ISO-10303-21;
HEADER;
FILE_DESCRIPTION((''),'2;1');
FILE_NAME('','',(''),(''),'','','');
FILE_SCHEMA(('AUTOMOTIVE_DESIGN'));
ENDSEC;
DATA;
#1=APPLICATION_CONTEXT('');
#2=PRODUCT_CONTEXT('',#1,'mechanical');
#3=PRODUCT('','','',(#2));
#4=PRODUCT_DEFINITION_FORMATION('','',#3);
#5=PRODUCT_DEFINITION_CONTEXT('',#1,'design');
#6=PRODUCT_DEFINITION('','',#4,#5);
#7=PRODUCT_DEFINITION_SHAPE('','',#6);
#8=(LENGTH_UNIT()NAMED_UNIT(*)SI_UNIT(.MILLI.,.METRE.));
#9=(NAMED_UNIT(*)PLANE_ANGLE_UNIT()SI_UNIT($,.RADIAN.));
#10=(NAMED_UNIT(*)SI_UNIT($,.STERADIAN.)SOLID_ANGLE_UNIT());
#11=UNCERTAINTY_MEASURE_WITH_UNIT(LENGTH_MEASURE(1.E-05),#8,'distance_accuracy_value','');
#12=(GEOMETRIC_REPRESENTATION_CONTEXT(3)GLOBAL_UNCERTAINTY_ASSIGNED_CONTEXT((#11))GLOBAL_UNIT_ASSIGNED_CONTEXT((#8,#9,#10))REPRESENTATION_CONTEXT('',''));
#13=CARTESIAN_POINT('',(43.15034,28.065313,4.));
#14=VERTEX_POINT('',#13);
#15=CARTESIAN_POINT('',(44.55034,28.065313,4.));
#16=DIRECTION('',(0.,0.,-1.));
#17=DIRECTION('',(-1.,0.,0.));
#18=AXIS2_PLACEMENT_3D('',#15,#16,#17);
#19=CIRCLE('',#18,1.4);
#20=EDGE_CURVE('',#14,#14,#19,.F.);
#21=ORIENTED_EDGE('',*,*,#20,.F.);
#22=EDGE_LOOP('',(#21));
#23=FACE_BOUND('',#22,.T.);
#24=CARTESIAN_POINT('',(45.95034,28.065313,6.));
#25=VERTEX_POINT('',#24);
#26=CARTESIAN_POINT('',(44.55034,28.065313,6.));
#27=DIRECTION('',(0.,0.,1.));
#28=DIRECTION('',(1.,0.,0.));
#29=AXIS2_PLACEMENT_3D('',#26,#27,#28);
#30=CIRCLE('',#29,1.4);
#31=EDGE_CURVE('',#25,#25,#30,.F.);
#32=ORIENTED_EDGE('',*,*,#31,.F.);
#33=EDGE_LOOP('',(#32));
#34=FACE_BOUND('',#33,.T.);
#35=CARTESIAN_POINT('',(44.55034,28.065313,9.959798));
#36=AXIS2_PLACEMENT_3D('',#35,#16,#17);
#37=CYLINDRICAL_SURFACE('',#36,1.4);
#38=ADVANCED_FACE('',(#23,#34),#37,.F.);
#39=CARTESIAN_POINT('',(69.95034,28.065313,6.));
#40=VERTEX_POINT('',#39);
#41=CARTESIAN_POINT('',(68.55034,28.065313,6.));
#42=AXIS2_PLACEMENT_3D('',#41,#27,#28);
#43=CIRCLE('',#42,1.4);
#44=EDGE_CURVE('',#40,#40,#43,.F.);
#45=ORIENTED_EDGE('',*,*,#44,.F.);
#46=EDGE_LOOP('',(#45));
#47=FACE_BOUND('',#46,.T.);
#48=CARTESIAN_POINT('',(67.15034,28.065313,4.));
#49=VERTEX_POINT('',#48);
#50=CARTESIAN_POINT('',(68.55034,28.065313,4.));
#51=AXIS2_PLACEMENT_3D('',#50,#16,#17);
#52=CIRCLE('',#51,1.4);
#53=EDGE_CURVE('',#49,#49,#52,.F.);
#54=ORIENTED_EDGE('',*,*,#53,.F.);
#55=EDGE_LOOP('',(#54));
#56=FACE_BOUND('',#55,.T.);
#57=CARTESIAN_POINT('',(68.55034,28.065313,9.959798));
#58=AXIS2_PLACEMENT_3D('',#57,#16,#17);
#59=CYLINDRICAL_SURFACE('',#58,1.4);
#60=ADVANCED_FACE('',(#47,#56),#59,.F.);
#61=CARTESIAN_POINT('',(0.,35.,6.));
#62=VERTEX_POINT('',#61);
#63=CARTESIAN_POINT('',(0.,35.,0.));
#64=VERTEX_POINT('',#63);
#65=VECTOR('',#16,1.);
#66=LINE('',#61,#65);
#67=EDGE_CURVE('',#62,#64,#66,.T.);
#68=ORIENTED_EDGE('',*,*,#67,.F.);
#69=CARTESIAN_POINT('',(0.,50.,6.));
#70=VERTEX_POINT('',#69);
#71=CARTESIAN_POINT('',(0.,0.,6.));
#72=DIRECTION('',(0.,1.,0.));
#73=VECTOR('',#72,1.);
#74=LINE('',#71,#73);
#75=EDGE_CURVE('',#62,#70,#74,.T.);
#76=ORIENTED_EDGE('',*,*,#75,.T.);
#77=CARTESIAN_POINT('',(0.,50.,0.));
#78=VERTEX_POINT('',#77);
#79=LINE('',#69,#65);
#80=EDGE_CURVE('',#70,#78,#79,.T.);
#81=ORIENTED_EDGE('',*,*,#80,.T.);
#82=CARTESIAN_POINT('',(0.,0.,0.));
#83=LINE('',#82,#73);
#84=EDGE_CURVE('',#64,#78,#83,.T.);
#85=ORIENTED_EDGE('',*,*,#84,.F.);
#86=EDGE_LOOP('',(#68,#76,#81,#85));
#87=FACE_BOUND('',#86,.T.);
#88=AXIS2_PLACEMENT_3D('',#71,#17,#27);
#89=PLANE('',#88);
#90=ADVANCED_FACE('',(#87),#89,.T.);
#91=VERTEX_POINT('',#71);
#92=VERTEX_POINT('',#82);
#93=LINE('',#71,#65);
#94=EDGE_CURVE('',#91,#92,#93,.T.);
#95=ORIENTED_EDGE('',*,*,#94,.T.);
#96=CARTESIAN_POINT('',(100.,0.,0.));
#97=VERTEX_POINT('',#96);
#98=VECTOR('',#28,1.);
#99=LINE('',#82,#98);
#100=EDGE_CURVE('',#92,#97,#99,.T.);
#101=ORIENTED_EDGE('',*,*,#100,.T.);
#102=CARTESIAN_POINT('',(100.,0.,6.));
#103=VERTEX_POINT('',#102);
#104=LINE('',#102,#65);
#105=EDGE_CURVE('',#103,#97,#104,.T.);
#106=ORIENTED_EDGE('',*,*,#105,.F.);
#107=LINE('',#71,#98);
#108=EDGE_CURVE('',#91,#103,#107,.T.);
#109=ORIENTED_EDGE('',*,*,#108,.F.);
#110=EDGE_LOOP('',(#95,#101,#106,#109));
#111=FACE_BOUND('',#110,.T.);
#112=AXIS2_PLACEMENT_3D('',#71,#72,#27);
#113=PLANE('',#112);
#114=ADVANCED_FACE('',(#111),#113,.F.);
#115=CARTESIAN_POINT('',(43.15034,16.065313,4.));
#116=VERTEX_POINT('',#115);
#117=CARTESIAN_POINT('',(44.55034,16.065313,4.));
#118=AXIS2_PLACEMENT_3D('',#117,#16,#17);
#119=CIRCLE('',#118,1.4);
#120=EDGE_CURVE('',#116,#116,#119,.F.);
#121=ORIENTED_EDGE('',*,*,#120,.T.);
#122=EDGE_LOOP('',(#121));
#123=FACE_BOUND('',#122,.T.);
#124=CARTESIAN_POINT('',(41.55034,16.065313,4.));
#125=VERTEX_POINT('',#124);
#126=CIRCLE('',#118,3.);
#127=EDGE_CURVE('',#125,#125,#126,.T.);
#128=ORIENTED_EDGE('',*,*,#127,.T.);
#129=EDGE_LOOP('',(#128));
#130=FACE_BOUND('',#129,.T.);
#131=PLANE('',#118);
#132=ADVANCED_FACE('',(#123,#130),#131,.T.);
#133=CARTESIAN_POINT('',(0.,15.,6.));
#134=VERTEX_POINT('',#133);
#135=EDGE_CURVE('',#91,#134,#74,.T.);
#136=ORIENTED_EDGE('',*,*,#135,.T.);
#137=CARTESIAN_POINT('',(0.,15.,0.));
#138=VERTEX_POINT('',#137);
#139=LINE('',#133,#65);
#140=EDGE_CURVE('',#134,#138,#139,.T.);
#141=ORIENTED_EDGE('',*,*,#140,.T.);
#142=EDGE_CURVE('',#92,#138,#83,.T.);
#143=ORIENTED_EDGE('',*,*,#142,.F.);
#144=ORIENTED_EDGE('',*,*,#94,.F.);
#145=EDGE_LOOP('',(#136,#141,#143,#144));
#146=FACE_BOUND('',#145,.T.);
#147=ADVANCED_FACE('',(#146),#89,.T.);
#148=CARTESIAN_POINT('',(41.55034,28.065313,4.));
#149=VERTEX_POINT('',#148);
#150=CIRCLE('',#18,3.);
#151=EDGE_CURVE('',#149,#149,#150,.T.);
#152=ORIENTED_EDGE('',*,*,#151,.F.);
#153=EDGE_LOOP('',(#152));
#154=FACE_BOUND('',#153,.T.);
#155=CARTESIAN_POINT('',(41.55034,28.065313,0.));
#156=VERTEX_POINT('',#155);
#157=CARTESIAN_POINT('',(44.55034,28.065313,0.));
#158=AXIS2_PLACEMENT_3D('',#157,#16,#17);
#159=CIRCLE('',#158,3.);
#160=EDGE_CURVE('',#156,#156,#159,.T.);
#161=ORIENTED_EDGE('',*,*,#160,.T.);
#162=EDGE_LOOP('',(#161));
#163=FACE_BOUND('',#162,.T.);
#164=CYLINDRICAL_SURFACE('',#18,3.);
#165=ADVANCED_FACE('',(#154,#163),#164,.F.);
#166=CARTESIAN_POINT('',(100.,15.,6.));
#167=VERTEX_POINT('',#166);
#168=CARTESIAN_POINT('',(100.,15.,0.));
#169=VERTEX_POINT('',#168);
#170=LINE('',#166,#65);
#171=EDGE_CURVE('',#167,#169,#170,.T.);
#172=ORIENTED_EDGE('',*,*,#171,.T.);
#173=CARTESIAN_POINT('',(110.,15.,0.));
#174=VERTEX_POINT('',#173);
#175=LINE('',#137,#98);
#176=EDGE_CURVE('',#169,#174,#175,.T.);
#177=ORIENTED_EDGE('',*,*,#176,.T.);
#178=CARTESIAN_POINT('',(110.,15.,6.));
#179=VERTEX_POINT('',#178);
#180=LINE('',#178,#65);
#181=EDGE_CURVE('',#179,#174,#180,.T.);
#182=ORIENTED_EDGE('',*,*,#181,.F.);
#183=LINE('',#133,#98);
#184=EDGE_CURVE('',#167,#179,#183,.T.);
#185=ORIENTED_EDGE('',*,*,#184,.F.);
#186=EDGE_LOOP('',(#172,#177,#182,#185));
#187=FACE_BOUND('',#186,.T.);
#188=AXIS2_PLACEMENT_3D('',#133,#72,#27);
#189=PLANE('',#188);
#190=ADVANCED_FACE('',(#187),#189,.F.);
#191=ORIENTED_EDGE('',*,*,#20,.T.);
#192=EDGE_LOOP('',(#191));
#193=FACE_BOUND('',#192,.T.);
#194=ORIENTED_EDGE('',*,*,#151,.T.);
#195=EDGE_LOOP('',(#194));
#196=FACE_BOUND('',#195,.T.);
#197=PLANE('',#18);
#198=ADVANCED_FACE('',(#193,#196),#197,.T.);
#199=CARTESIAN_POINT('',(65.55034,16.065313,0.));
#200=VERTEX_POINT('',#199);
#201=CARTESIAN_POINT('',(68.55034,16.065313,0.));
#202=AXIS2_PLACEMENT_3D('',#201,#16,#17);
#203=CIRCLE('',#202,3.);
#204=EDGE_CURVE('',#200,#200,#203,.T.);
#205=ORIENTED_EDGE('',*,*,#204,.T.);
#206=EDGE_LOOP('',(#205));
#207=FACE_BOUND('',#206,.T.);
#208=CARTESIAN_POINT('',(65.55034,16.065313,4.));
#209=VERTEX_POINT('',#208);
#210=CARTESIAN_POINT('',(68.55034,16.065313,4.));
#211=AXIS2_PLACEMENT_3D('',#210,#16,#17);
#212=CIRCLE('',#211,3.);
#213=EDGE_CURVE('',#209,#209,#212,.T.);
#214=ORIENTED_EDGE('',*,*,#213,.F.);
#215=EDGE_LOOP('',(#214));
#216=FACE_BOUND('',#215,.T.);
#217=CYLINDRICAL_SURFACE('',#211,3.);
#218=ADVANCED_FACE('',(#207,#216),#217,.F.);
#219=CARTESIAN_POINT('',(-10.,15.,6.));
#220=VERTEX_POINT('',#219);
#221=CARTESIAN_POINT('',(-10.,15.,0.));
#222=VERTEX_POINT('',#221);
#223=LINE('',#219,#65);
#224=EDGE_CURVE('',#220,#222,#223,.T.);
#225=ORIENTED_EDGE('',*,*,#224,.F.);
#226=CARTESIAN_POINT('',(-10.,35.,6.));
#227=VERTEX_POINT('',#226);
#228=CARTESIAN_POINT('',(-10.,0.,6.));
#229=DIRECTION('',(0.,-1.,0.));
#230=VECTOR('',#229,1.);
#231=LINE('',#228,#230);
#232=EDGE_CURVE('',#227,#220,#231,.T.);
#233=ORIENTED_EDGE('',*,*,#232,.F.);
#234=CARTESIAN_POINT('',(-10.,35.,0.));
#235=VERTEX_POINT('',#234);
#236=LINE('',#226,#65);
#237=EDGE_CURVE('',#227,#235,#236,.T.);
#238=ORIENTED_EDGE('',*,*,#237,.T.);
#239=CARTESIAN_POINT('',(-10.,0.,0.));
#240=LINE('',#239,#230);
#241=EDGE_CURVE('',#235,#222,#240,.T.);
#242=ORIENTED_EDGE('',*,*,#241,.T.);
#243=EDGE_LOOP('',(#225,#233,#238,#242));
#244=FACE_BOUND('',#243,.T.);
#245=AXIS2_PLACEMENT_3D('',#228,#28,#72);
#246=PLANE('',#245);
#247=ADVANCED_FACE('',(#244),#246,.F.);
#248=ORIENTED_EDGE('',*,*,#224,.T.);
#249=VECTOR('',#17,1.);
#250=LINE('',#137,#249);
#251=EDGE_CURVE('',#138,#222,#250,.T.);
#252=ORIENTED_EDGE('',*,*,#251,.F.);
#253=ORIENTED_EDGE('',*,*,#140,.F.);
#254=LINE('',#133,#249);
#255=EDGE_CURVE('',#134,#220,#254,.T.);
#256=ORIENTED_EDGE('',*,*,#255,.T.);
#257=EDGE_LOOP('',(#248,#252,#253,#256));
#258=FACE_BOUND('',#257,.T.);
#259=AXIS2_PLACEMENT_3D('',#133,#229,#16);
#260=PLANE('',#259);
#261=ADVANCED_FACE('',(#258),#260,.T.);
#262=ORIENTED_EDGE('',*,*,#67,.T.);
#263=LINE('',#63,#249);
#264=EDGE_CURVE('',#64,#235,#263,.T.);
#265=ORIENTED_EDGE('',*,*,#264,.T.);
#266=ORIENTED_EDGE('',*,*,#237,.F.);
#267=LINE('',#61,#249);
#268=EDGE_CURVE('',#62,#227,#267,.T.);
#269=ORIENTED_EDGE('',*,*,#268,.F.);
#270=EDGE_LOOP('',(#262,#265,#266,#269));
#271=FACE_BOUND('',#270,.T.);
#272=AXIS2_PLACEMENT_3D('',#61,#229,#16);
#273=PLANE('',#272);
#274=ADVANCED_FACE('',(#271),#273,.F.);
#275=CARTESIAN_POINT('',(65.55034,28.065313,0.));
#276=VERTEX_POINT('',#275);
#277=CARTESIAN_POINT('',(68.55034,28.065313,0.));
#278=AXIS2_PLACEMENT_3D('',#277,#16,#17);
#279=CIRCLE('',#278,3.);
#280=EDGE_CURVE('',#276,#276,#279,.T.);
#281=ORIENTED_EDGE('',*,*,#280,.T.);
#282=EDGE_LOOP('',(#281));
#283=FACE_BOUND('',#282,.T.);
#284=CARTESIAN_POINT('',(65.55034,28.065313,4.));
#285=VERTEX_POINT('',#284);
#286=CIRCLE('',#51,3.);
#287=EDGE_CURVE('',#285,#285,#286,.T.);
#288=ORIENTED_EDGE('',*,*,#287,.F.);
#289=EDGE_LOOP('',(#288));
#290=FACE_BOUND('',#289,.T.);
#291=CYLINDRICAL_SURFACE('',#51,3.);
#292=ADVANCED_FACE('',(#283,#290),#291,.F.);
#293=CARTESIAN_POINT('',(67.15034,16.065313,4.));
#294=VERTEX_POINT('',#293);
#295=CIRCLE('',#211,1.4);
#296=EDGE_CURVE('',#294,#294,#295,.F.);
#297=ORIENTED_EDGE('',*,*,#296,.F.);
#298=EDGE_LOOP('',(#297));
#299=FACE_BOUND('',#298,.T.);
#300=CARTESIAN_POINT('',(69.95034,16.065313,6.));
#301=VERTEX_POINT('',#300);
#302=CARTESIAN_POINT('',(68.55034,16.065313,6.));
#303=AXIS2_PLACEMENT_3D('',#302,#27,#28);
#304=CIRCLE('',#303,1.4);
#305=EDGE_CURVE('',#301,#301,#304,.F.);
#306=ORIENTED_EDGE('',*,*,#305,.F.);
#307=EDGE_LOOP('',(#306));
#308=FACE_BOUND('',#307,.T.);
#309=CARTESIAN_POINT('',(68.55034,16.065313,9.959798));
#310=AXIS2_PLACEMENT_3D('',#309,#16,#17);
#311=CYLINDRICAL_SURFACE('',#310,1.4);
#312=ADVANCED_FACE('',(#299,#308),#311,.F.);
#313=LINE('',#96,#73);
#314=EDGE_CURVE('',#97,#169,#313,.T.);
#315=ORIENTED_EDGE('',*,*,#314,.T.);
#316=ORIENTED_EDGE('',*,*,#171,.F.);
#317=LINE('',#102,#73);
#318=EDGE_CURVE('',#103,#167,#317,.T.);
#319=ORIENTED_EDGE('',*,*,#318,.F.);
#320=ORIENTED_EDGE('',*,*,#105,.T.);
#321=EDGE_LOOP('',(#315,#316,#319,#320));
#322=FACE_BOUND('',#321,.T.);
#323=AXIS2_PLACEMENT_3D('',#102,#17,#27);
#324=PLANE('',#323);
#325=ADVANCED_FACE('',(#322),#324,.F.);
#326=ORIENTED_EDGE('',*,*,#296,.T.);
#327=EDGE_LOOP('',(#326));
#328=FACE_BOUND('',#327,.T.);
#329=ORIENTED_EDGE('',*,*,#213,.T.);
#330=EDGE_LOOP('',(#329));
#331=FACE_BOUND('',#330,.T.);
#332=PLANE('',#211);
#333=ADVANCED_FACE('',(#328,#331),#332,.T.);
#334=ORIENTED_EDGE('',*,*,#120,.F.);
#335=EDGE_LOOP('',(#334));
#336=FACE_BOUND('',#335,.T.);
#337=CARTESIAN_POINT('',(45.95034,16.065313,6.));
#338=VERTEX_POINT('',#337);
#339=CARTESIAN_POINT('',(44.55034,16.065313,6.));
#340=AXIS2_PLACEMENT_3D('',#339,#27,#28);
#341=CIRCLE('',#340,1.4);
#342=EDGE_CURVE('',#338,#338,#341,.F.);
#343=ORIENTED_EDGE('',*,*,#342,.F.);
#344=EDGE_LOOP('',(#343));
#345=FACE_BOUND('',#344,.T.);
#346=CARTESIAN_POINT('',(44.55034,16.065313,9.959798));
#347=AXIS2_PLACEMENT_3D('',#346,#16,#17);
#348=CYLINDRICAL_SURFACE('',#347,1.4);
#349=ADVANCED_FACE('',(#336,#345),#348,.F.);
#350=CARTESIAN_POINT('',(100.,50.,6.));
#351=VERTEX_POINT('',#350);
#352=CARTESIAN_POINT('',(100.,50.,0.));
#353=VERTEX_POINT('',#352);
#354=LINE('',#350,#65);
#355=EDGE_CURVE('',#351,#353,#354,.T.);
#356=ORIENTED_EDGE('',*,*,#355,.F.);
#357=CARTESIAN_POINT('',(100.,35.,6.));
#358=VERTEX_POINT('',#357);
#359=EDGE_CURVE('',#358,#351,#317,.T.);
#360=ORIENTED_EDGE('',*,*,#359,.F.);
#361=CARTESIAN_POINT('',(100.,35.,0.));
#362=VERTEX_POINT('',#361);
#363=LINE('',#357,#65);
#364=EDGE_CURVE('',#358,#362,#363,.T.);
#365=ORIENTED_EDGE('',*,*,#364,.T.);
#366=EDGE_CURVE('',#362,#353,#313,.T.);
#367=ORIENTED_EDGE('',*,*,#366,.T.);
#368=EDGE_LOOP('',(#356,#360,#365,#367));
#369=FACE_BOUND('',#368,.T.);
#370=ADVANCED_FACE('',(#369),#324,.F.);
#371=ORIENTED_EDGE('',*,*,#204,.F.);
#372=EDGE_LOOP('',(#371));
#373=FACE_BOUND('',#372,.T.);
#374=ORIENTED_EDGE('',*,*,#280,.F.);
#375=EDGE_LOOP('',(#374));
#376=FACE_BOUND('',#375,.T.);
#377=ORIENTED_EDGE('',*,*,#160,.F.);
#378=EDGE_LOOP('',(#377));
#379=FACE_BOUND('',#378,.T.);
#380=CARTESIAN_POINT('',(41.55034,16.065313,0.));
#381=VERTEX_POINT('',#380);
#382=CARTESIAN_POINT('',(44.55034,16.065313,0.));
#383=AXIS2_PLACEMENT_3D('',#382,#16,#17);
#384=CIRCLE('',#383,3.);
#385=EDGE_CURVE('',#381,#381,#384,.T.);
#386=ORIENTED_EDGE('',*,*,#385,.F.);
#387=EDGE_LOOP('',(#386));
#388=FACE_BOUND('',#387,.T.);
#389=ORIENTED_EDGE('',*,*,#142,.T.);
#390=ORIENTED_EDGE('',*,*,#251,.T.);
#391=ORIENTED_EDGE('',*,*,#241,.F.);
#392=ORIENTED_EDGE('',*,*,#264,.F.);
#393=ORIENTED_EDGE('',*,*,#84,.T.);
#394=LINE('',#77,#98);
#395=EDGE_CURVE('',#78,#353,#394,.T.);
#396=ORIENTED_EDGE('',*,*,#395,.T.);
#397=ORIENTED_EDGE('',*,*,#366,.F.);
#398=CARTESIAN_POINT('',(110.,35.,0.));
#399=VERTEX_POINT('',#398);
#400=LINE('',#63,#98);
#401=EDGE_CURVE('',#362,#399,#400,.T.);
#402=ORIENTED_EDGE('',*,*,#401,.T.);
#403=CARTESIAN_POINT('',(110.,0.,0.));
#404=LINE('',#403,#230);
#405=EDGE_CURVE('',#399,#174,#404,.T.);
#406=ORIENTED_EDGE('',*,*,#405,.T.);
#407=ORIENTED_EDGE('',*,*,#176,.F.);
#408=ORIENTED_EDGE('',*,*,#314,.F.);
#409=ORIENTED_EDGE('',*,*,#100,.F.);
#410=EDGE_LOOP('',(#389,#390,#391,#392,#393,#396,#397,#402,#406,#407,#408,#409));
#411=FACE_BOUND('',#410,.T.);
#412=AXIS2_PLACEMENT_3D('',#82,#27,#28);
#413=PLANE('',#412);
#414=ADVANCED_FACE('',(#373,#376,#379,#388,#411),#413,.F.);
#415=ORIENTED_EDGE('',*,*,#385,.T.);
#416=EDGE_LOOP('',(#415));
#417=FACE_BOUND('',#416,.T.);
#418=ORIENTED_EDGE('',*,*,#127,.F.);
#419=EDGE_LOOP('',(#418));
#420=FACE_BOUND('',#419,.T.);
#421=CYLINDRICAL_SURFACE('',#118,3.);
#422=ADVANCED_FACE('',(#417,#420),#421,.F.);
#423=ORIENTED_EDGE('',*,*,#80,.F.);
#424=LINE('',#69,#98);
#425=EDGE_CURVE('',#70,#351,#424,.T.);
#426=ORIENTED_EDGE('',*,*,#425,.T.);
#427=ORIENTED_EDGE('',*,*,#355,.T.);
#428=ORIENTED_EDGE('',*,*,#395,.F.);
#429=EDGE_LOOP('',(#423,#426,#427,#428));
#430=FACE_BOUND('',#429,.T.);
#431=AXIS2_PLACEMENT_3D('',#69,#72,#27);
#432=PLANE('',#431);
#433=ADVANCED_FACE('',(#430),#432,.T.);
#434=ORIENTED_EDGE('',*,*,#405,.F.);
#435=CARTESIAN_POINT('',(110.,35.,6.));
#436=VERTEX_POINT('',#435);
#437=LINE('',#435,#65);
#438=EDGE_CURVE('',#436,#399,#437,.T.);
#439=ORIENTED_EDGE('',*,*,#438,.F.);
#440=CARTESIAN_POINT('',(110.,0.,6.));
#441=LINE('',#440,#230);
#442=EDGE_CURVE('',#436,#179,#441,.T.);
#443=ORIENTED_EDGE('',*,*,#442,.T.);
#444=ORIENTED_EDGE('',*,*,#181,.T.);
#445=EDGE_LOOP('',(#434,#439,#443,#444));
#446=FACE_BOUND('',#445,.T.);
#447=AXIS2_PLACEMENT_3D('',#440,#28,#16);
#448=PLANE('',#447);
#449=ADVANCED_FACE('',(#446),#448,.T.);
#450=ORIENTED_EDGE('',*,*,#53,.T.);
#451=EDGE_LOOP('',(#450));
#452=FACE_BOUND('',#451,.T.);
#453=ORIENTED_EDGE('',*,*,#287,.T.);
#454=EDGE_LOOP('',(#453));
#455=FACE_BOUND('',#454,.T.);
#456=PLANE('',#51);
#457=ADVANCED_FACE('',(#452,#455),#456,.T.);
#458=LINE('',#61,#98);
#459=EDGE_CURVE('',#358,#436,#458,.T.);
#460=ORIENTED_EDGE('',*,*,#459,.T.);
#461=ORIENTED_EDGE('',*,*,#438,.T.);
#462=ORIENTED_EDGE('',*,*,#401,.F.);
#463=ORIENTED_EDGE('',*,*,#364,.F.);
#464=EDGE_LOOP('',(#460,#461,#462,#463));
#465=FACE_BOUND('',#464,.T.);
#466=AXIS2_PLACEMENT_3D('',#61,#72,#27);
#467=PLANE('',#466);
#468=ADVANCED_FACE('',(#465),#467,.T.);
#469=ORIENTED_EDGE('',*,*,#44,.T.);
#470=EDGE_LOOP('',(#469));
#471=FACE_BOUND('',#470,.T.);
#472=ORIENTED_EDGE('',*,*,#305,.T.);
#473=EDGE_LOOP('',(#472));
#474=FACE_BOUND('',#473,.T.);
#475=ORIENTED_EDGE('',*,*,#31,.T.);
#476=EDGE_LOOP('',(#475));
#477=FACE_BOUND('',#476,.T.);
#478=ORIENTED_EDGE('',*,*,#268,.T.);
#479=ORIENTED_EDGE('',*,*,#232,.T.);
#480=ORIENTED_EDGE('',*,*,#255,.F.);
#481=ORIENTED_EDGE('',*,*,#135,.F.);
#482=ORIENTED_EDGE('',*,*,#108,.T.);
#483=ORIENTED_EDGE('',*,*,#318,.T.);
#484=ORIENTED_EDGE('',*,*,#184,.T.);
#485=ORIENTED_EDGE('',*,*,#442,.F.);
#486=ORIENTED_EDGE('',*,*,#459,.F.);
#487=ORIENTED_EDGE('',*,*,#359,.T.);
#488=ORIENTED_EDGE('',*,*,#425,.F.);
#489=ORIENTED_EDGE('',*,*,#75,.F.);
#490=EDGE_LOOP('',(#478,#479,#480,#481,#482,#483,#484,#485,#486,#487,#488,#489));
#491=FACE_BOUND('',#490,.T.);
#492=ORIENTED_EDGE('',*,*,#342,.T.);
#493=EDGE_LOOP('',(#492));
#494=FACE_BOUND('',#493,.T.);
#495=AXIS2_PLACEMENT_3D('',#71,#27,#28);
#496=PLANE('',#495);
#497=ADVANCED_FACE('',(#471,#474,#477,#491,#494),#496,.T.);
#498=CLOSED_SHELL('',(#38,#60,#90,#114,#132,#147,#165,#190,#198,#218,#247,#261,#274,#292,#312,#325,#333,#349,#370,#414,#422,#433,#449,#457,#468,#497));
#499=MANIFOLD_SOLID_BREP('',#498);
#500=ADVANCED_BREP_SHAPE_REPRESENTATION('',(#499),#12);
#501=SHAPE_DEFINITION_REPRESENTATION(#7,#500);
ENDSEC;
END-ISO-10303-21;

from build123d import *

# Parameters (mm, degrees)
ESQUISSE1_W             = 10
ESQUISSE1_H             = 20
ESQUISSE1_W_2           = 100
ESQUISSE1_H_2           = 50
BOSS_EXTRU_1_DEPTH      = 6
ESQUISSE2_R             = 1.4
ENL_V_MAT_EXTRU_1_DEPTH = 6
ESQUISSE3_R             = 3
ENL_V_MAT_EXTRU_2_DEPTH = 4


with BuildPart() as part:
    # Esquisse1 → Boss.-Extru.1 (new body)
    with BuildSketch(Plane.XY):
        with Locations((-5, 25)):
            Rectangle(ESQUISSE1_W, ESQUISSE1_H)
        with Locations((50, 25)):
            Rectangle(ESQUISSE1_W_2, ESQUISSE1_H_2)
        with Locations((105, 25)):
            Rectangle(ESQUISSE1_W, ESQUISSE1_H)
    extrude(amount=BOSS_EXTRU_1_DEPTH)

    # Esquisse2 → Enlèv. mat.-Extru.1 (cut)
    with BuildSketch(Plane(origin=(0, 0, 0), x_dir=(-1, 0, 0), z_dir=(0, 0, -1))):
        with Locations((-44.550340057, 16.065313345)):
            Circle(ESQUISSE2_R)
        with Locations((-44.550340057, 28.065313345)):
            Circle(ESQUISSE2_R)
        with Locations((-68.550340057, 28.065313345)):
            Circle(ESQUISSE2_R)
        with Locations((-68.550340057, 16.065313345)):
            Circle(ESQUISSE2_R)
    extrude(amount=-ENL_V_MAT_EXTRU_1_DEPTH, mode=Mode.SUBTRACT)

    # Esquisse3 → Enlèv. mat.-Extru.2 (cut)
    with BuildSketch(Plane(origin=(0, 0, 0), x_dir=(-1, 0, 0), z_dir=(0, 0, -1))):
        with Locations((-68.550340057, 28.065313345)):
            Circle(ESQUISSE3_R)
        with Locations((-44.550340057, 28.065313345)):
            Circle(ESQUISSE3_R)
        with Locations((-44.550340057, 16.065313345)):
            Circle(ESQUISSE3_R)
        with Locations((-68.550340057, 16.065313345)):
            Circle(ESQUISSE3_R)
    extrude(amount=-ENL_V_MAT_EXTRU_2_DEPTH, mode=Mode.SUBTRACT)


solid = part.part
